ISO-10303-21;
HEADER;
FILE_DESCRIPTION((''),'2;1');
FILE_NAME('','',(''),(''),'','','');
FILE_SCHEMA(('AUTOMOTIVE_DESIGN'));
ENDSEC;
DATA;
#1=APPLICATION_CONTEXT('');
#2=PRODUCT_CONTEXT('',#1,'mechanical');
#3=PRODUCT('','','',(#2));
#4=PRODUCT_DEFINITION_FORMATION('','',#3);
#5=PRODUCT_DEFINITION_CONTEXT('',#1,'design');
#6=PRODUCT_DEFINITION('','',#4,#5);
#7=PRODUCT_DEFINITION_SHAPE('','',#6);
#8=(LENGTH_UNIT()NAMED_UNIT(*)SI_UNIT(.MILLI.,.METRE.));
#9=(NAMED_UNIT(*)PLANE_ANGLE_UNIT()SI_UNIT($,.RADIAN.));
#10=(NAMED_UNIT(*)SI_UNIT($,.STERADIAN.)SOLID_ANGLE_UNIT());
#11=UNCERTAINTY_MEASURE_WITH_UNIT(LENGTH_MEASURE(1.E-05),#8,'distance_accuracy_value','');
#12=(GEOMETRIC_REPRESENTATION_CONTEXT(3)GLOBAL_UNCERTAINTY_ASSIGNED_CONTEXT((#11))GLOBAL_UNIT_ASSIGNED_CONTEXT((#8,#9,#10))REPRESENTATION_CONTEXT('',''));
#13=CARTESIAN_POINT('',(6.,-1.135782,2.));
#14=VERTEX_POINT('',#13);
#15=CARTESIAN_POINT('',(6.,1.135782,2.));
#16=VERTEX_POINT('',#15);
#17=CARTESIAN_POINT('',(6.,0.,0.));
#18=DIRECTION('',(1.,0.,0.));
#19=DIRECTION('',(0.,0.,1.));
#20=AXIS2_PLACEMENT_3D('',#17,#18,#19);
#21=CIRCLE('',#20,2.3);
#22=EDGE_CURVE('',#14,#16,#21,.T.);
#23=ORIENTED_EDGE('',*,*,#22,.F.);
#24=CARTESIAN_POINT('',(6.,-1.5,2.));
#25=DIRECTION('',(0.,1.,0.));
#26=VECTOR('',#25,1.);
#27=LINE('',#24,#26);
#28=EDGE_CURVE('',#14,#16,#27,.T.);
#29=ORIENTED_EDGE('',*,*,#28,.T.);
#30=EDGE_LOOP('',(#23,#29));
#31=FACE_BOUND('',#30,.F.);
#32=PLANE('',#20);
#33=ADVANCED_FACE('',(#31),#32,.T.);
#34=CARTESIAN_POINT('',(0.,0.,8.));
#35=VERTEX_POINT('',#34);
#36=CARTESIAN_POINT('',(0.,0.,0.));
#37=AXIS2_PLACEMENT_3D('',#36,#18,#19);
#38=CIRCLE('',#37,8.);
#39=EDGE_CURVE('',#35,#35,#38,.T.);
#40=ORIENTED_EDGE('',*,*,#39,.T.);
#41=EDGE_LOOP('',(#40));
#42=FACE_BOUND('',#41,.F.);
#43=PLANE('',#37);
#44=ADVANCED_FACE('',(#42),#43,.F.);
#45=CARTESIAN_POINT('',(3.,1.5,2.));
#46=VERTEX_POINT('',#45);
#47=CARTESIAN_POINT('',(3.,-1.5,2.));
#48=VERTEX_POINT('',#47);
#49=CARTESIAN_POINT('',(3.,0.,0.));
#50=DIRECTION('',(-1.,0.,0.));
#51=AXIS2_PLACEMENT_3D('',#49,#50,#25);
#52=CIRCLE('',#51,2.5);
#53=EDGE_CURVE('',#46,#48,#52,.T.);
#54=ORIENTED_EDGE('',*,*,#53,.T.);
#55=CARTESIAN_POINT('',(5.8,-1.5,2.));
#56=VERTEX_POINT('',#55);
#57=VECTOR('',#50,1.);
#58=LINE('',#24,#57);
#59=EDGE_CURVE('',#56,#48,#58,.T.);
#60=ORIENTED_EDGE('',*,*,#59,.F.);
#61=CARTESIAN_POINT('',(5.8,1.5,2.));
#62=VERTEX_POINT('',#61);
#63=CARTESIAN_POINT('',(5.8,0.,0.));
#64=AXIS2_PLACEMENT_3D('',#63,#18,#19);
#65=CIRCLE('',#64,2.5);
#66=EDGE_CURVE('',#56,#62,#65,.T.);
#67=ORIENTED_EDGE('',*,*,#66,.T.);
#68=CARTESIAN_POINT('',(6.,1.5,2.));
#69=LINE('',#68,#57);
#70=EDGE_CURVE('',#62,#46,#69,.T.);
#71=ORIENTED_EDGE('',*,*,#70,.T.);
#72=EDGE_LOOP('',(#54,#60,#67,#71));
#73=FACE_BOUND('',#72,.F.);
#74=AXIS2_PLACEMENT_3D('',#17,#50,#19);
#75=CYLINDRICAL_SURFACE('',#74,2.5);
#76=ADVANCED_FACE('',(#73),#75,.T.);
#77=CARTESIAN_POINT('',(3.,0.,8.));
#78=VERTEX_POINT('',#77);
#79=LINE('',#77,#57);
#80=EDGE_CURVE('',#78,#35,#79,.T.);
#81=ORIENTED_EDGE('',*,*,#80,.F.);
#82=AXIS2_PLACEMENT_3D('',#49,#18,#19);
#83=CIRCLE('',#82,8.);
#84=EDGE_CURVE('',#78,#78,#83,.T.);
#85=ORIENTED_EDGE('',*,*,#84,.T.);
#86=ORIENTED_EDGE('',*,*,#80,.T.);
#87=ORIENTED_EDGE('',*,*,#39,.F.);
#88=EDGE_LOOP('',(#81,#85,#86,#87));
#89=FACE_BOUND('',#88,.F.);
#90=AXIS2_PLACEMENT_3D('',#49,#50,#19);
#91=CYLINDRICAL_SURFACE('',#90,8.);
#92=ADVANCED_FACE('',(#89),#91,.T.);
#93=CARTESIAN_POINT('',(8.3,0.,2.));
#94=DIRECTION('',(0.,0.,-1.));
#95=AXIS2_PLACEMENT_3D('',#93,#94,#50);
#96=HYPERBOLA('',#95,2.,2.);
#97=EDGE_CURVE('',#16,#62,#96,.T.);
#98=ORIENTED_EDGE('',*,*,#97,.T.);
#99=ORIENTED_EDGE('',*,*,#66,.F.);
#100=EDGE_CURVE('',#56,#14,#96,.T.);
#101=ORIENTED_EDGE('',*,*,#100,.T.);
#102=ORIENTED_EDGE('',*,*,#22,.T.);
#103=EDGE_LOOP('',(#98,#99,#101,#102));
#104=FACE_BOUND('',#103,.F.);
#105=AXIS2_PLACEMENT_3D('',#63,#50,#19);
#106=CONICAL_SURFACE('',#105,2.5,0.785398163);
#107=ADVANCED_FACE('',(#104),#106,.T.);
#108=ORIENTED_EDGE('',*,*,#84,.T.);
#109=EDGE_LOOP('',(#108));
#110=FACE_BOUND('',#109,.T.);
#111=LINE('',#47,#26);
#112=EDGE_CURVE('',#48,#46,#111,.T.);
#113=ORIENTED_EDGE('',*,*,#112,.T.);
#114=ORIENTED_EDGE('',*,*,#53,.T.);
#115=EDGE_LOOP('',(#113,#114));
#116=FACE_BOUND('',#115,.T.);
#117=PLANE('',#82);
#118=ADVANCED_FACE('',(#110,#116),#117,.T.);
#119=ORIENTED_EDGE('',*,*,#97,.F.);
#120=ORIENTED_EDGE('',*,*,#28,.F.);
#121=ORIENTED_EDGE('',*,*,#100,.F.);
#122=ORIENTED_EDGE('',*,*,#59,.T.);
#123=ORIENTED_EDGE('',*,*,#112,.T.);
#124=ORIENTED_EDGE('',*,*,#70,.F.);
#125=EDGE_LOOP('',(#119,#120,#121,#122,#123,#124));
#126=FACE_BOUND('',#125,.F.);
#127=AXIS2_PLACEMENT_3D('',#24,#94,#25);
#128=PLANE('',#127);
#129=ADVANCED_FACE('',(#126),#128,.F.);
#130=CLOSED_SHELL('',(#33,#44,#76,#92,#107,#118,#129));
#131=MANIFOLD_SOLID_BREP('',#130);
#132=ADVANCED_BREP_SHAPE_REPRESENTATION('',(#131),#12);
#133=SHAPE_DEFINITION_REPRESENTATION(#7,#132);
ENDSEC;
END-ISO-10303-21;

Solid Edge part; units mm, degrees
sketch "Sketch1" plane through (0, 0, 0) normal (0, -1, 0) x (1, 0, 0)
  line L0 (6, 2.5) -> (3, 2.5)
  line L1 (3, 2.5) -> (3, 8)
  line L2 (3, 8) -> (0, 8)
  line L3 (0, 8) -> (0, 0)
  line L4 (6, 0) -> (6, 2.5)
  dimension "D1" = 3
  dimension "D2" = 3
revolve "RevolvedProtrusion1" add sketch "Sketch1" angle 360 about axis through (0, 0, 0) along (1, 0, 0)
chamfer "Chamfer1" distance 0.2 angle 45 1 edges at (6, 0, -2.5)
sketch "Sketch2" plane through (6, 0, 0) normal (1, 0, 0) x (0, 1, 0)
  line L0 (-1.5, 2) -> (1.5, 2)
  arc A0 (1.5, 2) -> (-1.5, 2) centre (0, 0) cw
extrude "Extrusionsausschnitt_1" cut sketch "Sketch2" against normal blind 3 flip side to cut
